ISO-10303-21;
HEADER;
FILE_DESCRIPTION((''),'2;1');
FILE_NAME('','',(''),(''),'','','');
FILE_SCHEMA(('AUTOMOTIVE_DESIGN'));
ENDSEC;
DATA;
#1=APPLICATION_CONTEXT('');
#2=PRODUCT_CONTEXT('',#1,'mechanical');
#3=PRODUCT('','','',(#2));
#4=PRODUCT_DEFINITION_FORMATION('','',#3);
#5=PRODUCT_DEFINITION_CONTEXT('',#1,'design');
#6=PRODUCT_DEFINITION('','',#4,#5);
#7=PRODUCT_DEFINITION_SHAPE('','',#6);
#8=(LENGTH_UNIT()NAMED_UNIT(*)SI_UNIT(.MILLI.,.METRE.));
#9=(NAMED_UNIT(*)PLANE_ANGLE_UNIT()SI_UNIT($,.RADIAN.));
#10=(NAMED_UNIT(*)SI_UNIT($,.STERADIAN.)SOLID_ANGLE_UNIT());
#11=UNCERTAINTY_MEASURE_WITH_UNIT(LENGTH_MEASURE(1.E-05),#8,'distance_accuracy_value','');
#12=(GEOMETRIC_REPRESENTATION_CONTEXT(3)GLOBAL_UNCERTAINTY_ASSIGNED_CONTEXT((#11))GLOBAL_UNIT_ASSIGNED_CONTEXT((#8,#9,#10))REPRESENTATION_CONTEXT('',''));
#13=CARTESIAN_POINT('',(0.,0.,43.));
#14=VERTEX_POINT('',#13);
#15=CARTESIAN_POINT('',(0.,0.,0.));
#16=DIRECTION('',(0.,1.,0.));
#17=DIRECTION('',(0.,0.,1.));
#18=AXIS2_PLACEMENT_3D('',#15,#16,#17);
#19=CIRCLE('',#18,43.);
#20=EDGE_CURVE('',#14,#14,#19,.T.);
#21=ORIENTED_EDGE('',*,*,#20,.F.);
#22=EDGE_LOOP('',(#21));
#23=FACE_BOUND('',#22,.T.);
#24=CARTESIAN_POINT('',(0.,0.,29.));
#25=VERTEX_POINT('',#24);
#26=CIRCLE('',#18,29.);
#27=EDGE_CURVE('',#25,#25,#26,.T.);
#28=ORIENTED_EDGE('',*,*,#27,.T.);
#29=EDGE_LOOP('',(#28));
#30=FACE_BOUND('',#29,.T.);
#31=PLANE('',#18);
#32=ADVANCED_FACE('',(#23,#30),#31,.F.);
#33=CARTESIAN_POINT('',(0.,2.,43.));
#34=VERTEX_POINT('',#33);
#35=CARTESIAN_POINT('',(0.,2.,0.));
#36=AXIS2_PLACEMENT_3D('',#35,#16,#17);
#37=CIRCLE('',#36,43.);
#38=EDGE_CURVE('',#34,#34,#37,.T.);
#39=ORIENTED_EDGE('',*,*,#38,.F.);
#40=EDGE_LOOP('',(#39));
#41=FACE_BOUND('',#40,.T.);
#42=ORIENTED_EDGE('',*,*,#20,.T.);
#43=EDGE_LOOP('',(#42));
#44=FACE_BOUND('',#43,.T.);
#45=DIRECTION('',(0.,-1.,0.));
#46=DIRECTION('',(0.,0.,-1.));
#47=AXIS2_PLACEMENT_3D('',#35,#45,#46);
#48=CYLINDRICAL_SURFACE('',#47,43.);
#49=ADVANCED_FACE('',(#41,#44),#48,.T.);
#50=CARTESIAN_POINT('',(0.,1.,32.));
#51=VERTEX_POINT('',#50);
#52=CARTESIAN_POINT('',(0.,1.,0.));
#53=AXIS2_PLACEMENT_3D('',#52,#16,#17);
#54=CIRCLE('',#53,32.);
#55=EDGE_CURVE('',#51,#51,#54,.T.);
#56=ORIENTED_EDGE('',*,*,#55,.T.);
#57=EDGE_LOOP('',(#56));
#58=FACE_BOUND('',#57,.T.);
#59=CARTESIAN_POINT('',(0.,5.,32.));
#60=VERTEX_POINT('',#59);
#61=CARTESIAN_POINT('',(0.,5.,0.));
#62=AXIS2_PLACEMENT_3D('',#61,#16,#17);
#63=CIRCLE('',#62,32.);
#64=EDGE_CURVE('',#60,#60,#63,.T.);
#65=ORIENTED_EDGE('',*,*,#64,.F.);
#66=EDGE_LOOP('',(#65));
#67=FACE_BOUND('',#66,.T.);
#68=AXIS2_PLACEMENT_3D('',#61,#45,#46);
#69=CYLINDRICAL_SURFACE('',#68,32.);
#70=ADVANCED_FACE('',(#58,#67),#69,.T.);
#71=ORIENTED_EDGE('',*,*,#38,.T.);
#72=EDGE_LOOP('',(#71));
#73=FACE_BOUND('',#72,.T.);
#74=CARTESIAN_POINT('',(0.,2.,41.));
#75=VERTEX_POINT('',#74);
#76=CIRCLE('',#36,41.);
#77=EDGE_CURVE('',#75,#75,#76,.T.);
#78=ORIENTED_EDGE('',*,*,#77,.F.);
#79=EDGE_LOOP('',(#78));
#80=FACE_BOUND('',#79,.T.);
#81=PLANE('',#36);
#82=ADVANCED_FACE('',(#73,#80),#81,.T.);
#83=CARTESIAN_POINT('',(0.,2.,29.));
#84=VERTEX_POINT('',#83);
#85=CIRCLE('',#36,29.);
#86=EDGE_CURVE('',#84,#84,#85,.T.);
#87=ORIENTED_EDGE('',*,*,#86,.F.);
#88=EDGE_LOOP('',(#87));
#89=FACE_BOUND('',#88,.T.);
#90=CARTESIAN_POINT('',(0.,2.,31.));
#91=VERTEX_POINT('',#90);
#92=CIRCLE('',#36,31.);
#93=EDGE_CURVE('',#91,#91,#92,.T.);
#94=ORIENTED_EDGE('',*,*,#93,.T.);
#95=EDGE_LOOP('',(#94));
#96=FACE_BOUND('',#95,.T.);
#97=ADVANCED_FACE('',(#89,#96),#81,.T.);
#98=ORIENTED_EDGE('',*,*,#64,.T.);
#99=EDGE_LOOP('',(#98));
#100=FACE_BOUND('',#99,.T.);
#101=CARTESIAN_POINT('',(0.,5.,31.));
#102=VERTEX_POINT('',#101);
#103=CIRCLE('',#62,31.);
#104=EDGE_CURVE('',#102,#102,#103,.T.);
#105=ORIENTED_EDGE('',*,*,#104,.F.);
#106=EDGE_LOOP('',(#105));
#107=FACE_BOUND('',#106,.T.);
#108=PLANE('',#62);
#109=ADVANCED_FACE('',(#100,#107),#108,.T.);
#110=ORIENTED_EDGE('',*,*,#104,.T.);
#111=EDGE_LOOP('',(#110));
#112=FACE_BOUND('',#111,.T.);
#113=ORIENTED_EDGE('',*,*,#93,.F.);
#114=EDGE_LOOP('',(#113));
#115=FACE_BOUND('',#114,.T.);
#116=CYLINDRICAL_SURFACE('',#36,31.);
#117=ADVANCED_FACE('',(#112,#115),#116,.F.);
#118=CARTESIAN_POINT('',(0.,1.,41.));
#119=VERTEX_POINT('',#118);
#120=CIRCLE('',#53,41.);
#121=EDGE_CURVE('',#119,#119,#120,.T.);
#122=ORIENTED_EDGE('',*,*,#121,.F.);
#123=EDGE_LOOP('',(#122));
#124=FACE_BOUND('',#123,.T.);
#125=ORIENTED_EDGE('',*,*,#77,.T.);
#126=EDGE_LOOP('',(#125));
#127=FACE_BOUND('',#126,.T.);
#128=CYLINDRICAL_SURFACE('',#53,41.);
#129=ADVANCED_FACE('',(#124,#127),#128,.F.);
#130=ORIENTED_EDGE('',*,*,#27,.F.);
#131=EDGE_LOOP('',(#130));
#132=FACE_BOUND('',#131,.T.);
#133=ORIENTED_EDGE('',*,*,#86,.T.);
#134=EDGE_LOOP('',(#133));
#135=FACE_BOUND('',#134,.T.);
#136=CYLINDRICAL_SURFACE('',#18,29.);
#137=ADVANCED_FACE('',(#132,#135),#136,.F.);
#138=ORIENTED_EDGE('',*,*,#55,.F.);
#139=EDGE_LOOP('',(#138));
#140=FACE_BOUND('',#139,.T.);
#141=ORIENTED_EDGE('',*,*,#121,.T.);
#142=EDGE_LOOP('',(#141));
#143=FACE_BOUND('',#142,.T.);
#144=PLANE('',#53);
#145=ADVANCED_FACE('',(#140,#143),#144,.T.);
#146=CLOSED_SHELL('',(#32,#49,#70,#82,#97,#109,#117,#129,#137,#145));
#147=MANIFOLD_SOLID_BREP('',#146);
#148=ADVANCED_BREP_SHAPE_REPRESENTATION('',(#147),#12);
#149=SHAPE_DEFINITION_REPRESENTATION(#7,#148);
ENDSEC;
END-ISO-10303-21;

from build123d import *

# Parameters (mm, degrees)
SKETCH1_R           = 43
BOSS_EXTRUDE1_DEPTH = 2
SKETCH2_R           = 41
BOSS_EXTRUDE2_DEPTH = 3
SKETCH3_R           = 30
CUT_EXTRUDE1_DEPTH  = 2
SKETCH4_R           = 28
CUT_EXTRUDE2_DEPTH  = 4
SKETCH5_R           = 41
CUT_EXTRUDE3_DEPTH  = 4
SKETCH6_R           = 32
BOSS_EXTRUDE4_DEPTH = 4
SKETCH7_R           = 31
CUT_EXTRUDE4_DEPTH  = 3
SKETCH8_R           = 29
CUT_EXTRUDE5_DEPTH  = 3


with BuildPart() as part:
    # Sketch1 → Boss-Extrude1 (new body)
    with BuildSketch(Plane(origin=(0, 0, 0), x_dir=(1, 0, 0), z_dir=(0, 1, 0))):
        Circle(SKETCH1_R)
    extrude(amount=BOSS_EXTRUDE1_DEPTH)

    # Sketch2 → Boss-Extrude2 (add)
    with BuildSketch(Plane(origin=(0, 2, 0), x_dir=(1, 0, 0), z_dir=(0, 1, 0))):
        Circle(SKETCH2_R)
    extrude(amount=BOSS_EXTRUDE2_DEPTH)

    # Sketch3 → Cut-Extrude1 (cut)
    with BuildSketch(Plane(origin=(0, 5, 0), x_dir=(1, 0, 0), z_dir=(0, 1, 0))):
        Circle(SKETCH3_R)
    extrude(amount=-CUT_EXTRUDE1_DEPTH, mode=Mode.SUBTRACT)

    # Sketch4 → Cut-Extrude2 (cut, through all)
    with BuildSketch(Plane(origin=(0, 3, 0), x_dir=(1, 0, 0), z_dir=(0, 1, 0))):
        Circle(SKETCH4_R)
    extrude(amount=-CUT_EXTRUDE2_DEPTH, mode=Mode.SUBTRACT)

    # Sketch5 → Cut-Extrude3 (cut)
    with BuildSketch(Plane(origin=(0, 5, 0), x_dir=(1, 0, 0), z_dir=(0, 1, 0))):
        Circle(SKETCH5_R)
    extrude(amount=-CUT_EXTRUDE3_DEPTH, mode=Mode.SUBTRACT)

    # Sketch6 → Boss-Extrude4 (add)
    with BuildSketch(Plane(origin=(0, 1, 0), x_dir=(1, 0, 0), z_dir=(0, 1, 0))):
        Circle(SKETCH6_R)
    extrude(amount=BOSS_EXTRUDE4_DEPTH)

    # Sketch7 → Cut-Extrude4 (cut)
    with BuildSketch(Plane(origin=(0, 5, 0), x_dir=(1, 0, 0), z_dir=(0, 1, 0))):
        Circle(SKETCH7_R)
    extrude(amount=-CUT_EXTRUDE4_DEPTH, mode=Mode.SUBTRACT)

    # Sketch8 → Cut-Extrude5 (cut, through all)
    with BuildSketch(Plane(origin=(0, 2, 0), x_dir=(1, 0, 0), z_dir=(0, 1, 0))):
        Circle(SKETCH8_R)
    extrude(amount=-CUT_EXTRUDE5_DEPTH, mode=Mode.SUBTRACT)


solid = part.part
